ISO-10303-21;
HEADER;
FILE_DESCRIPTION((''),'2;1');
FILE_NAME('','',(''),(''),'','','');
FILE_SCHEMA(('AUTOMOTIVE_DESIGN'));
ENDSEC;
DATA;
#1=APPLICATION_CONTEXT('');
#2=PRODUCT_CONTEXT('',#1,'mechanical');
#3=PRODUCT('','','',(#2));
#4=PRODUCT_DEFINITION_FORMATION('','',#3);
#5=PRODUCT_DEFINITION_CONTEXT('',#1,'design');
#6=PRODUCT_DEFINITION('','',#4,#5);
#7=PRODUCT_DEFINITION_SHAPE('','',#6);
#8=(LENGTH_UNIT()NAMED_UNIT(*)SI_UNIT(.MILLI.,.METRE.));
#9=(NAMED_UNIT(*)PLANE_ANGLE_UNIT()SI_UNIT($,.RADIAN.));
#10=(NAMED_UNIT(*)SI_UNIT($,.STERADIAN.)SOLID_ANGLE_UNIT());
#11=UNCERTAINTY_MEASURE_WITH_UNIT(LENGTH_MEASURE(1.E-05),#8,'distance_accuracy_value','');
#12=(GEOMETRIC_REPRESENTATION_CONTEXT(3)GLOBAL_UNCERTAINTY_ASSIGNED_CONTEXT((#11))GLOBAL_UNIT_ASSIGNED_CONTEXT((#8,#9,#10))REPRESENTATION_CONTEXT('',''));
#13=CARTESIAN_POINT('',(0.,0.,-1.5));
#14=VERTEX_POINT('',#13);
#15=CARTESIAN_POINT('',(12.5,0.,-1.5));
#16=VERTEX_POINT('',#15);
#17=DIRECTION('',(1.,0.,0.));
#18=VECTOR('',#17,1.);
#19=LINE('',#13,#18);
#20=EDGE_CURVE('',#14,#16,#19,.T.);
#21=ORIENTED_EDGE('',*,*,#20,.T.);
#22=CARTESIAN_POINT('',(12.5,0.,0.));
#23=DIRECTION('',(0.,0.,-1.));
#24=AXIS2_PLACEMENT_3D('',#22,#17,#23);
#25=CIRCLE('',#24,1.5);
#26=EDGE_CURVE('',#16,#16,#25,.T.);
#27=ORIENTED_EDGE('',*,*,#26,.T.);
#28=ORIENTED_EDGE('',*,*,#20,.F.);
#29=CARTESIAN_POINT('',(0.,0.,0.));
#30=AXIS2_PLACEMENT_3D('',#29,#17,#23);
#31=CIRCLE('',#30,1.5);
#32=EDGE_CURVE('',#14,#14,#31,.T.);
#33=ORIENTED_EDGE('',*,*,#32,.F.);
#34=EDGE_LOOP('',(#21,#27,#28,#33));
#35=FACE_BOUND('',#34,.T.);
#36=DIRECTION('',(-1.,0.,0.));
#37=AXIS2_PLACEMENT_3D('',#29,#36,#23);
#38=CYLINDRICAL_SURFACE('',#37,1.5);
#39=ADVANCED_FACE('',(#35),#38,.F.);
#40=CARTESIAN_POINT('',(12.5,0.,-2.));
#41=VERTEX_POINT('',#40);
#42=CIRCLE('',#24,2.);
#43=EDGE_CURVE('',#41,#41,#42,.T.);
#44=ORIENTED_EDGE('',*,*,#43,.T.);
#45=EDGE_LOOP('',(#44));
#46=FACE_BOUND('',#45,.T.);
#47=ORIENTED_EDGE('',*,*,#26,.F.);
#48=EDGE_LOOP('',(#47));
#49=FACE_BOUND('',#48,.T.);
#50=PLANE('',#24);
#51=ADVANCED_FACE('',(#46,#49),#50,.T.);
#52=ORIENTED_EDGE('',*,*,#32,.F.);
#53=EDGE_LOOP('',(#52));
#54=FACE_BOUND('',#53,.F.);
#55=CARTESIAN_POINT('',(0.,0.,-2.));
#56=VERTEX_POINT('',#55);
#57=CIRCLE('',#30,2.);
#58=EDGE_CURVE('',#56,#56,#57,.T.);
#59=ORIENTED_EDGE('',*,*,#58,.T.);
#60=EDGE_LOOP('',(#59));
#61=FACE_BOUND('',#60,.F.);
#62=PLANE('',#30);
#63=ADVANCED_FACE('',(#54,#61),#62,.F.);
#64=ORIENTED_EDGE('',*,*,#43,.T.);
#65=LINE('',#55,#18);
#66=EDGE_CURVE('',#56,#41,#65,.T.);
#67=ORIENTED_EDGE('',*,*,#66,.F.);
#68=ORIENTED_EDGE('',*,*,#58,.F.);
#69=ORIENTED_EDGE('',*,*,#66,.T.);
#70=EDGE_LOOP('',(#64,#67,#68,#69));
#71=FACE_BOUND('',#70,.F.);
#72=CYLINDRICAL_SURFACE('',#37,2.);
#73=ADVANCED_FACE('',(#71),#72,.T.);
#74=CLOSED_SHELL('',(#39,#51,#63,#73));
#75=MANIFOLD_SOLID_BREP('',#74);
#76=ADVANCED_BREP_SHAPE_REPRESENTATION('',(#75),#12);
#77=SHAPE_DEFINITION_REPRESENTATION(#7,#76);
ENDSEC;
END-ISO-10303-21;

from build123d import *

# Parameters (mm, degrees)
SKETCH1_R           = 2
SKETCH1_R_2         = 1.5
BOSS_EXTRUDE1_DEPTH = 12.5


with BuildPart() as part:
    # Sketch1 → Boss-Extrude1 (new body)
    with BuildSketch(Plane(origin=(0, 0, 0), x_dir=(0, 0, -1), z_dir=(1, 0, 0))):
        Circle(SKETCH1_R)
        Circle(SKETCH1_R_2, mode=Mode.SUBTRACT)
    extrude(amount=BOSS_EXTRUDE1_DEPTH)


solid = part.part
